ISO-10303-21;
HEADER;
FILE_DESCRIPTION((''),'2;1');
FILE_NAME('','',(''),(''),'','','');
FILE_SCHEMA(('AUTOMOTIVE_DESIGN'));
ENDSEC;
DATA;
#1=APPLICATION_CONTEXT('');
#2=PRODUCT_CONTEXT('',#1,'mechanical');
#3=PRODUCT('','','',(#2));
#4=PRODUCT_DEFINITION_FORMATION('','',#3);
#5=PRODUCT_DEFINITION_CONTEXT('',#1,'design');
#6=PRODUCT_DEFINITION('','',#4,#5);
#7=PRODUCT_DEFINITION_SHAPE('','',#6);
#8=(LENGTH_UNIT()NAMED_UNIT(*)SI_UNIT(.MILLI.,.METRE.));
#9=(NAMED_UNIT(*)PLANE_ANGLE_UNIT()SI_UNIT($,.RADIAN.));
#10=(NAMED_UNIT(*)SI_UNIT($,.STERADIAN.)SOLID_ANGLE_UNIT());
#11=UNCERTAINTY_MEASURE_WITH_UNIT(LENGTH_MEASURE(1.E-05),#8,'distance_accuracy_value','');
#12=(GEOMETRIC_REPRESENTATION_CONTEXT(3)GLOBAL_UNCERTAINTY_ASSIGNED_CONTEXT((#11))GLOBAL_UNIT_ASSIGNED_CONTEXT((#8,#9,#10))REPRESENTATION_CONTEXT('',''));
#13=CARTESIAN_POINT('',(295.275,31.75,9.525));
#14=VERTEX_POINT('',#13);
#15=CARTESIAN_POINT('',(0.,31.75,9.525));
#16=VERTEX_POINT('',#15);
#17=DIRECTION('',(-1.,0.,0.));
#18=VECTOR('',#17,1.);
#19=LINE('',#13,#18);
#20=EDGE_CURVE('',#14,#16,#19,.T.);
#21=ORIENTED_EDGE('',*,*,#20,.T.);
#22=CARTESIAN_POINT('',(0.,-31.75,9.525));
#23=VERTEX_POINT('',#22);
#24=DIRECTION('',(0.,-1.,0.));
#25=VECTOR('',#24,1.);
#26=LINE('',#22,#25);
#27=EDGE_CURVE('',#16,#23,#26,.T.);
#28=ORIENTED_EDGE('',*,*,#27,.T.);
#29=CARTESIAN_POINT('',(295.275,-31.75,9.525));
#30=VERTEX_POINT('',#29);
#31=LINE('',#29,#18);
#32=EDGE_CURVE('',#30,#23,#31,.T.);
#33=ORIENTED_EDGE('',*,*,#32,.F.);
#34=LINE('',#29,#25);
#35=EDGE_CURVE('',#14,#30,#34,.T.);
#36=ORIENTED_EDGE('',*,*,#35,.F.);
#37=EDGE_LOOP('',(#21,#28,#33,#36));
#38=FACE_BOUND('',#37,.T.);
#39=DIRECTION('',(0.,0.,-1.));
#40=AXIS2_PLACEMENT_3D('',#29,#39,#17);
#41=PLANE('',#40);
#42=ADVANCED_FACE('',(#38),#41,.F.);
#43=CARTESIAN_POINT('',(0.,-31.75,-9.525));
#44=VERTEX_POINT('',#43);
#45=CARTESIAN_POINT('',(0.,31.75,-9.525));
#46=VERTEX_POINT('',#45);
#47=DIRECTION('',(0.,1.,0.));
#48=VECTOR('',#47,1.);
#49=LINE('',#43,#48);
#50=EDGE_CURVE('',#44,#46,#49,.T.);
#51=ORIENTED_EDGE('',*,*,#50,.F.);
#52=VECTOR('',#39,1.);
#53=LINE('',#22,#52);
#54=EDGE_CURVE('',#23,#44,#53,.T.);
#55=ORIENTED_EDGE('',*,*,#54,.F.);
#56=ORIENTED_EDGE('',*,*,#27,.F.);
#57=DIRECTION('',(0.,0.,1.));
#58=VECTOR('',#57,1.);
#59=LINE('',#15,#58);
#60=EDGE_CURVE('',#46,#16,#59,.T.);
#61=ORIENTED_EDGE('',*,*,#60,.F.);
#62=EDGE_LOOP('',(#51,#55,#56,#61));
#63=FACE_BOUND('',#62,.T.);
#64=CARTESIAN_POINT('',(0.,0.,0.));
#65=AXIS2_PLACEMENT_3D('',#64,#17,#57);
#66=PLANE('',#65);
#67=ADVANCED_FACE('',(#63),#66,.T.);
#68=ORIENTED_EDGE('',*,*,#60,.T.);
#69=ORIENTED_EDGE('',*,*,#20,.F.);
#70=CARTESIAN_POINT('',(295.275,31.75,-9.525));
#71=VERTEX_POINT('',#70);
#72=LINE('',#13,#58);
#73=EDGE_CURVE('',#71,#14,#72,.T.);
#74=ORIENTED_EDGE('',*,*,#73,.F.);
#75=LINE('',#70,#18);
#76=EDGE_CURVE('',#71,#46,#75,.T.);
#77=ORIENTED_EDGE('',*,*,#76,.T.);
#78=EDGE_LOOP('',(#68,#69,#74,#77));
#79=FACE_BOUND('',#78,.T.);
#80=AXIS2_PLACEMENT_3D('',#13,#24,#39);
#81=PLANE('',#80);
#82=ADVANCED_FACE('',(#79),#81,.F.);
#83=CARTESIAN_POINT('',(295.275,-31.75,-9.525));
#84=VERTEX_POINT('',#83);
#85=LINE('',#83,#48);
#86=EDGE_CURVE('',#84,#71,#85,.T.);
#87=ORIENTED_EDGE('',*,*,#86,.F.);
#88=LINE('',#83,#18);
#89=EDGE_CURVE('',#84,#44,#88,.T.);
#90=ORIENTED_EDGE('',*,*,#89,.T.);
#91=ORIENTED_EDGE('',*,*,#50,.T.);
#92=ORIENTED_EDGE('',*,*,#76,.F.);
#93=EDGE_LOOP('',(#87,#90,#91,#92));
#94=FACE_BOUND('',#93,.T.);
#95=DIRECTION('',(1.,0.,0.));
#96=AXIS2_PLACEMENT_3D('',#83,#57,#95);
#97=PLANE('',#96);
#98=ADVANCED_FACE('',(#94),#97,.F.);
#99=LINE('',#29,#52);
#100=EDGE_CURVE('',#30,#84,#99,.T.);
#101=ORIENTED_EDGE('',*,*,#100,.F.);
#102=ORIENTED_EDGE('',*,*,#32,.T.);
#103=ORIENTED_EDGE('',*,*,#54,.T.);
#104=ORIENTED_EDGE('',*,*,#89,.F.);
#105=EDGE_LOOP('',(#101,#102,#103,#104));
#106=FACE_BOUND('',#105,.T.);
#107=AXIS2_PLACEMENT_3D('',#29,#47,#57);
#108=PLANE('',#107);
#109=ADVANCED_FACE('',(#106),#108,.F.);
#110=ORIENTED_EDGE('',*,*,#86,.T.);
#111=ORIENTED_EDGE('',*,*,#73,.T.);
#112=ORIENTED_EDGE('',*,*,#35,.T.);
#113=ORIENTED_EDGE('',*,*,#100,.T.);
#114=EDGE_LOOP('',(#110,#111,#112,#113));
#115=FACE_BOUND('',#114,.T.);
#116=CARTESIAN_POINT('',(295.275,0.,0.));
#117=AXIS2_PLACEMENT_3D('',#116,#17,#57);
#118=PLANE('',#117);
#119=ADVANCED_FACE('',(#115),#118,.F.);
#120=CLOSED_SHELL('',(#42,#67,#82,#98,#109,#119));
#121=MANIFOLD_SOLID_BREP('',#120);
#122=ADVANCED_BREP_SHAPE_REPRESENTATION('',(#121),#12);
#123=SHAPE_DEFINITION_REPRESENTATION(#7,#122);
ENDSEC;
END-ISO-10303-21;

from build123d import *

# Parameters (mm, degrees)
SKETCH1_W           = 19.05
SKETCH1_H           = 63.5
BOSS_EXTRUDE1_DEPTH = 295.275


with BuildPart() as part:
    # Sketch1 → Boss-Extrude1 (new body)
    with BuildSketch(Plane(origin=(0, 0, 0), x_dir=(0, 0, -1), z_dir=(1, 0, 0))):
        Rectangle(SKETCH1_W, SKETCH1_H)
    extrude(amount=BOSS_EXTRUDE1_DEPTH)


solid = part.part
